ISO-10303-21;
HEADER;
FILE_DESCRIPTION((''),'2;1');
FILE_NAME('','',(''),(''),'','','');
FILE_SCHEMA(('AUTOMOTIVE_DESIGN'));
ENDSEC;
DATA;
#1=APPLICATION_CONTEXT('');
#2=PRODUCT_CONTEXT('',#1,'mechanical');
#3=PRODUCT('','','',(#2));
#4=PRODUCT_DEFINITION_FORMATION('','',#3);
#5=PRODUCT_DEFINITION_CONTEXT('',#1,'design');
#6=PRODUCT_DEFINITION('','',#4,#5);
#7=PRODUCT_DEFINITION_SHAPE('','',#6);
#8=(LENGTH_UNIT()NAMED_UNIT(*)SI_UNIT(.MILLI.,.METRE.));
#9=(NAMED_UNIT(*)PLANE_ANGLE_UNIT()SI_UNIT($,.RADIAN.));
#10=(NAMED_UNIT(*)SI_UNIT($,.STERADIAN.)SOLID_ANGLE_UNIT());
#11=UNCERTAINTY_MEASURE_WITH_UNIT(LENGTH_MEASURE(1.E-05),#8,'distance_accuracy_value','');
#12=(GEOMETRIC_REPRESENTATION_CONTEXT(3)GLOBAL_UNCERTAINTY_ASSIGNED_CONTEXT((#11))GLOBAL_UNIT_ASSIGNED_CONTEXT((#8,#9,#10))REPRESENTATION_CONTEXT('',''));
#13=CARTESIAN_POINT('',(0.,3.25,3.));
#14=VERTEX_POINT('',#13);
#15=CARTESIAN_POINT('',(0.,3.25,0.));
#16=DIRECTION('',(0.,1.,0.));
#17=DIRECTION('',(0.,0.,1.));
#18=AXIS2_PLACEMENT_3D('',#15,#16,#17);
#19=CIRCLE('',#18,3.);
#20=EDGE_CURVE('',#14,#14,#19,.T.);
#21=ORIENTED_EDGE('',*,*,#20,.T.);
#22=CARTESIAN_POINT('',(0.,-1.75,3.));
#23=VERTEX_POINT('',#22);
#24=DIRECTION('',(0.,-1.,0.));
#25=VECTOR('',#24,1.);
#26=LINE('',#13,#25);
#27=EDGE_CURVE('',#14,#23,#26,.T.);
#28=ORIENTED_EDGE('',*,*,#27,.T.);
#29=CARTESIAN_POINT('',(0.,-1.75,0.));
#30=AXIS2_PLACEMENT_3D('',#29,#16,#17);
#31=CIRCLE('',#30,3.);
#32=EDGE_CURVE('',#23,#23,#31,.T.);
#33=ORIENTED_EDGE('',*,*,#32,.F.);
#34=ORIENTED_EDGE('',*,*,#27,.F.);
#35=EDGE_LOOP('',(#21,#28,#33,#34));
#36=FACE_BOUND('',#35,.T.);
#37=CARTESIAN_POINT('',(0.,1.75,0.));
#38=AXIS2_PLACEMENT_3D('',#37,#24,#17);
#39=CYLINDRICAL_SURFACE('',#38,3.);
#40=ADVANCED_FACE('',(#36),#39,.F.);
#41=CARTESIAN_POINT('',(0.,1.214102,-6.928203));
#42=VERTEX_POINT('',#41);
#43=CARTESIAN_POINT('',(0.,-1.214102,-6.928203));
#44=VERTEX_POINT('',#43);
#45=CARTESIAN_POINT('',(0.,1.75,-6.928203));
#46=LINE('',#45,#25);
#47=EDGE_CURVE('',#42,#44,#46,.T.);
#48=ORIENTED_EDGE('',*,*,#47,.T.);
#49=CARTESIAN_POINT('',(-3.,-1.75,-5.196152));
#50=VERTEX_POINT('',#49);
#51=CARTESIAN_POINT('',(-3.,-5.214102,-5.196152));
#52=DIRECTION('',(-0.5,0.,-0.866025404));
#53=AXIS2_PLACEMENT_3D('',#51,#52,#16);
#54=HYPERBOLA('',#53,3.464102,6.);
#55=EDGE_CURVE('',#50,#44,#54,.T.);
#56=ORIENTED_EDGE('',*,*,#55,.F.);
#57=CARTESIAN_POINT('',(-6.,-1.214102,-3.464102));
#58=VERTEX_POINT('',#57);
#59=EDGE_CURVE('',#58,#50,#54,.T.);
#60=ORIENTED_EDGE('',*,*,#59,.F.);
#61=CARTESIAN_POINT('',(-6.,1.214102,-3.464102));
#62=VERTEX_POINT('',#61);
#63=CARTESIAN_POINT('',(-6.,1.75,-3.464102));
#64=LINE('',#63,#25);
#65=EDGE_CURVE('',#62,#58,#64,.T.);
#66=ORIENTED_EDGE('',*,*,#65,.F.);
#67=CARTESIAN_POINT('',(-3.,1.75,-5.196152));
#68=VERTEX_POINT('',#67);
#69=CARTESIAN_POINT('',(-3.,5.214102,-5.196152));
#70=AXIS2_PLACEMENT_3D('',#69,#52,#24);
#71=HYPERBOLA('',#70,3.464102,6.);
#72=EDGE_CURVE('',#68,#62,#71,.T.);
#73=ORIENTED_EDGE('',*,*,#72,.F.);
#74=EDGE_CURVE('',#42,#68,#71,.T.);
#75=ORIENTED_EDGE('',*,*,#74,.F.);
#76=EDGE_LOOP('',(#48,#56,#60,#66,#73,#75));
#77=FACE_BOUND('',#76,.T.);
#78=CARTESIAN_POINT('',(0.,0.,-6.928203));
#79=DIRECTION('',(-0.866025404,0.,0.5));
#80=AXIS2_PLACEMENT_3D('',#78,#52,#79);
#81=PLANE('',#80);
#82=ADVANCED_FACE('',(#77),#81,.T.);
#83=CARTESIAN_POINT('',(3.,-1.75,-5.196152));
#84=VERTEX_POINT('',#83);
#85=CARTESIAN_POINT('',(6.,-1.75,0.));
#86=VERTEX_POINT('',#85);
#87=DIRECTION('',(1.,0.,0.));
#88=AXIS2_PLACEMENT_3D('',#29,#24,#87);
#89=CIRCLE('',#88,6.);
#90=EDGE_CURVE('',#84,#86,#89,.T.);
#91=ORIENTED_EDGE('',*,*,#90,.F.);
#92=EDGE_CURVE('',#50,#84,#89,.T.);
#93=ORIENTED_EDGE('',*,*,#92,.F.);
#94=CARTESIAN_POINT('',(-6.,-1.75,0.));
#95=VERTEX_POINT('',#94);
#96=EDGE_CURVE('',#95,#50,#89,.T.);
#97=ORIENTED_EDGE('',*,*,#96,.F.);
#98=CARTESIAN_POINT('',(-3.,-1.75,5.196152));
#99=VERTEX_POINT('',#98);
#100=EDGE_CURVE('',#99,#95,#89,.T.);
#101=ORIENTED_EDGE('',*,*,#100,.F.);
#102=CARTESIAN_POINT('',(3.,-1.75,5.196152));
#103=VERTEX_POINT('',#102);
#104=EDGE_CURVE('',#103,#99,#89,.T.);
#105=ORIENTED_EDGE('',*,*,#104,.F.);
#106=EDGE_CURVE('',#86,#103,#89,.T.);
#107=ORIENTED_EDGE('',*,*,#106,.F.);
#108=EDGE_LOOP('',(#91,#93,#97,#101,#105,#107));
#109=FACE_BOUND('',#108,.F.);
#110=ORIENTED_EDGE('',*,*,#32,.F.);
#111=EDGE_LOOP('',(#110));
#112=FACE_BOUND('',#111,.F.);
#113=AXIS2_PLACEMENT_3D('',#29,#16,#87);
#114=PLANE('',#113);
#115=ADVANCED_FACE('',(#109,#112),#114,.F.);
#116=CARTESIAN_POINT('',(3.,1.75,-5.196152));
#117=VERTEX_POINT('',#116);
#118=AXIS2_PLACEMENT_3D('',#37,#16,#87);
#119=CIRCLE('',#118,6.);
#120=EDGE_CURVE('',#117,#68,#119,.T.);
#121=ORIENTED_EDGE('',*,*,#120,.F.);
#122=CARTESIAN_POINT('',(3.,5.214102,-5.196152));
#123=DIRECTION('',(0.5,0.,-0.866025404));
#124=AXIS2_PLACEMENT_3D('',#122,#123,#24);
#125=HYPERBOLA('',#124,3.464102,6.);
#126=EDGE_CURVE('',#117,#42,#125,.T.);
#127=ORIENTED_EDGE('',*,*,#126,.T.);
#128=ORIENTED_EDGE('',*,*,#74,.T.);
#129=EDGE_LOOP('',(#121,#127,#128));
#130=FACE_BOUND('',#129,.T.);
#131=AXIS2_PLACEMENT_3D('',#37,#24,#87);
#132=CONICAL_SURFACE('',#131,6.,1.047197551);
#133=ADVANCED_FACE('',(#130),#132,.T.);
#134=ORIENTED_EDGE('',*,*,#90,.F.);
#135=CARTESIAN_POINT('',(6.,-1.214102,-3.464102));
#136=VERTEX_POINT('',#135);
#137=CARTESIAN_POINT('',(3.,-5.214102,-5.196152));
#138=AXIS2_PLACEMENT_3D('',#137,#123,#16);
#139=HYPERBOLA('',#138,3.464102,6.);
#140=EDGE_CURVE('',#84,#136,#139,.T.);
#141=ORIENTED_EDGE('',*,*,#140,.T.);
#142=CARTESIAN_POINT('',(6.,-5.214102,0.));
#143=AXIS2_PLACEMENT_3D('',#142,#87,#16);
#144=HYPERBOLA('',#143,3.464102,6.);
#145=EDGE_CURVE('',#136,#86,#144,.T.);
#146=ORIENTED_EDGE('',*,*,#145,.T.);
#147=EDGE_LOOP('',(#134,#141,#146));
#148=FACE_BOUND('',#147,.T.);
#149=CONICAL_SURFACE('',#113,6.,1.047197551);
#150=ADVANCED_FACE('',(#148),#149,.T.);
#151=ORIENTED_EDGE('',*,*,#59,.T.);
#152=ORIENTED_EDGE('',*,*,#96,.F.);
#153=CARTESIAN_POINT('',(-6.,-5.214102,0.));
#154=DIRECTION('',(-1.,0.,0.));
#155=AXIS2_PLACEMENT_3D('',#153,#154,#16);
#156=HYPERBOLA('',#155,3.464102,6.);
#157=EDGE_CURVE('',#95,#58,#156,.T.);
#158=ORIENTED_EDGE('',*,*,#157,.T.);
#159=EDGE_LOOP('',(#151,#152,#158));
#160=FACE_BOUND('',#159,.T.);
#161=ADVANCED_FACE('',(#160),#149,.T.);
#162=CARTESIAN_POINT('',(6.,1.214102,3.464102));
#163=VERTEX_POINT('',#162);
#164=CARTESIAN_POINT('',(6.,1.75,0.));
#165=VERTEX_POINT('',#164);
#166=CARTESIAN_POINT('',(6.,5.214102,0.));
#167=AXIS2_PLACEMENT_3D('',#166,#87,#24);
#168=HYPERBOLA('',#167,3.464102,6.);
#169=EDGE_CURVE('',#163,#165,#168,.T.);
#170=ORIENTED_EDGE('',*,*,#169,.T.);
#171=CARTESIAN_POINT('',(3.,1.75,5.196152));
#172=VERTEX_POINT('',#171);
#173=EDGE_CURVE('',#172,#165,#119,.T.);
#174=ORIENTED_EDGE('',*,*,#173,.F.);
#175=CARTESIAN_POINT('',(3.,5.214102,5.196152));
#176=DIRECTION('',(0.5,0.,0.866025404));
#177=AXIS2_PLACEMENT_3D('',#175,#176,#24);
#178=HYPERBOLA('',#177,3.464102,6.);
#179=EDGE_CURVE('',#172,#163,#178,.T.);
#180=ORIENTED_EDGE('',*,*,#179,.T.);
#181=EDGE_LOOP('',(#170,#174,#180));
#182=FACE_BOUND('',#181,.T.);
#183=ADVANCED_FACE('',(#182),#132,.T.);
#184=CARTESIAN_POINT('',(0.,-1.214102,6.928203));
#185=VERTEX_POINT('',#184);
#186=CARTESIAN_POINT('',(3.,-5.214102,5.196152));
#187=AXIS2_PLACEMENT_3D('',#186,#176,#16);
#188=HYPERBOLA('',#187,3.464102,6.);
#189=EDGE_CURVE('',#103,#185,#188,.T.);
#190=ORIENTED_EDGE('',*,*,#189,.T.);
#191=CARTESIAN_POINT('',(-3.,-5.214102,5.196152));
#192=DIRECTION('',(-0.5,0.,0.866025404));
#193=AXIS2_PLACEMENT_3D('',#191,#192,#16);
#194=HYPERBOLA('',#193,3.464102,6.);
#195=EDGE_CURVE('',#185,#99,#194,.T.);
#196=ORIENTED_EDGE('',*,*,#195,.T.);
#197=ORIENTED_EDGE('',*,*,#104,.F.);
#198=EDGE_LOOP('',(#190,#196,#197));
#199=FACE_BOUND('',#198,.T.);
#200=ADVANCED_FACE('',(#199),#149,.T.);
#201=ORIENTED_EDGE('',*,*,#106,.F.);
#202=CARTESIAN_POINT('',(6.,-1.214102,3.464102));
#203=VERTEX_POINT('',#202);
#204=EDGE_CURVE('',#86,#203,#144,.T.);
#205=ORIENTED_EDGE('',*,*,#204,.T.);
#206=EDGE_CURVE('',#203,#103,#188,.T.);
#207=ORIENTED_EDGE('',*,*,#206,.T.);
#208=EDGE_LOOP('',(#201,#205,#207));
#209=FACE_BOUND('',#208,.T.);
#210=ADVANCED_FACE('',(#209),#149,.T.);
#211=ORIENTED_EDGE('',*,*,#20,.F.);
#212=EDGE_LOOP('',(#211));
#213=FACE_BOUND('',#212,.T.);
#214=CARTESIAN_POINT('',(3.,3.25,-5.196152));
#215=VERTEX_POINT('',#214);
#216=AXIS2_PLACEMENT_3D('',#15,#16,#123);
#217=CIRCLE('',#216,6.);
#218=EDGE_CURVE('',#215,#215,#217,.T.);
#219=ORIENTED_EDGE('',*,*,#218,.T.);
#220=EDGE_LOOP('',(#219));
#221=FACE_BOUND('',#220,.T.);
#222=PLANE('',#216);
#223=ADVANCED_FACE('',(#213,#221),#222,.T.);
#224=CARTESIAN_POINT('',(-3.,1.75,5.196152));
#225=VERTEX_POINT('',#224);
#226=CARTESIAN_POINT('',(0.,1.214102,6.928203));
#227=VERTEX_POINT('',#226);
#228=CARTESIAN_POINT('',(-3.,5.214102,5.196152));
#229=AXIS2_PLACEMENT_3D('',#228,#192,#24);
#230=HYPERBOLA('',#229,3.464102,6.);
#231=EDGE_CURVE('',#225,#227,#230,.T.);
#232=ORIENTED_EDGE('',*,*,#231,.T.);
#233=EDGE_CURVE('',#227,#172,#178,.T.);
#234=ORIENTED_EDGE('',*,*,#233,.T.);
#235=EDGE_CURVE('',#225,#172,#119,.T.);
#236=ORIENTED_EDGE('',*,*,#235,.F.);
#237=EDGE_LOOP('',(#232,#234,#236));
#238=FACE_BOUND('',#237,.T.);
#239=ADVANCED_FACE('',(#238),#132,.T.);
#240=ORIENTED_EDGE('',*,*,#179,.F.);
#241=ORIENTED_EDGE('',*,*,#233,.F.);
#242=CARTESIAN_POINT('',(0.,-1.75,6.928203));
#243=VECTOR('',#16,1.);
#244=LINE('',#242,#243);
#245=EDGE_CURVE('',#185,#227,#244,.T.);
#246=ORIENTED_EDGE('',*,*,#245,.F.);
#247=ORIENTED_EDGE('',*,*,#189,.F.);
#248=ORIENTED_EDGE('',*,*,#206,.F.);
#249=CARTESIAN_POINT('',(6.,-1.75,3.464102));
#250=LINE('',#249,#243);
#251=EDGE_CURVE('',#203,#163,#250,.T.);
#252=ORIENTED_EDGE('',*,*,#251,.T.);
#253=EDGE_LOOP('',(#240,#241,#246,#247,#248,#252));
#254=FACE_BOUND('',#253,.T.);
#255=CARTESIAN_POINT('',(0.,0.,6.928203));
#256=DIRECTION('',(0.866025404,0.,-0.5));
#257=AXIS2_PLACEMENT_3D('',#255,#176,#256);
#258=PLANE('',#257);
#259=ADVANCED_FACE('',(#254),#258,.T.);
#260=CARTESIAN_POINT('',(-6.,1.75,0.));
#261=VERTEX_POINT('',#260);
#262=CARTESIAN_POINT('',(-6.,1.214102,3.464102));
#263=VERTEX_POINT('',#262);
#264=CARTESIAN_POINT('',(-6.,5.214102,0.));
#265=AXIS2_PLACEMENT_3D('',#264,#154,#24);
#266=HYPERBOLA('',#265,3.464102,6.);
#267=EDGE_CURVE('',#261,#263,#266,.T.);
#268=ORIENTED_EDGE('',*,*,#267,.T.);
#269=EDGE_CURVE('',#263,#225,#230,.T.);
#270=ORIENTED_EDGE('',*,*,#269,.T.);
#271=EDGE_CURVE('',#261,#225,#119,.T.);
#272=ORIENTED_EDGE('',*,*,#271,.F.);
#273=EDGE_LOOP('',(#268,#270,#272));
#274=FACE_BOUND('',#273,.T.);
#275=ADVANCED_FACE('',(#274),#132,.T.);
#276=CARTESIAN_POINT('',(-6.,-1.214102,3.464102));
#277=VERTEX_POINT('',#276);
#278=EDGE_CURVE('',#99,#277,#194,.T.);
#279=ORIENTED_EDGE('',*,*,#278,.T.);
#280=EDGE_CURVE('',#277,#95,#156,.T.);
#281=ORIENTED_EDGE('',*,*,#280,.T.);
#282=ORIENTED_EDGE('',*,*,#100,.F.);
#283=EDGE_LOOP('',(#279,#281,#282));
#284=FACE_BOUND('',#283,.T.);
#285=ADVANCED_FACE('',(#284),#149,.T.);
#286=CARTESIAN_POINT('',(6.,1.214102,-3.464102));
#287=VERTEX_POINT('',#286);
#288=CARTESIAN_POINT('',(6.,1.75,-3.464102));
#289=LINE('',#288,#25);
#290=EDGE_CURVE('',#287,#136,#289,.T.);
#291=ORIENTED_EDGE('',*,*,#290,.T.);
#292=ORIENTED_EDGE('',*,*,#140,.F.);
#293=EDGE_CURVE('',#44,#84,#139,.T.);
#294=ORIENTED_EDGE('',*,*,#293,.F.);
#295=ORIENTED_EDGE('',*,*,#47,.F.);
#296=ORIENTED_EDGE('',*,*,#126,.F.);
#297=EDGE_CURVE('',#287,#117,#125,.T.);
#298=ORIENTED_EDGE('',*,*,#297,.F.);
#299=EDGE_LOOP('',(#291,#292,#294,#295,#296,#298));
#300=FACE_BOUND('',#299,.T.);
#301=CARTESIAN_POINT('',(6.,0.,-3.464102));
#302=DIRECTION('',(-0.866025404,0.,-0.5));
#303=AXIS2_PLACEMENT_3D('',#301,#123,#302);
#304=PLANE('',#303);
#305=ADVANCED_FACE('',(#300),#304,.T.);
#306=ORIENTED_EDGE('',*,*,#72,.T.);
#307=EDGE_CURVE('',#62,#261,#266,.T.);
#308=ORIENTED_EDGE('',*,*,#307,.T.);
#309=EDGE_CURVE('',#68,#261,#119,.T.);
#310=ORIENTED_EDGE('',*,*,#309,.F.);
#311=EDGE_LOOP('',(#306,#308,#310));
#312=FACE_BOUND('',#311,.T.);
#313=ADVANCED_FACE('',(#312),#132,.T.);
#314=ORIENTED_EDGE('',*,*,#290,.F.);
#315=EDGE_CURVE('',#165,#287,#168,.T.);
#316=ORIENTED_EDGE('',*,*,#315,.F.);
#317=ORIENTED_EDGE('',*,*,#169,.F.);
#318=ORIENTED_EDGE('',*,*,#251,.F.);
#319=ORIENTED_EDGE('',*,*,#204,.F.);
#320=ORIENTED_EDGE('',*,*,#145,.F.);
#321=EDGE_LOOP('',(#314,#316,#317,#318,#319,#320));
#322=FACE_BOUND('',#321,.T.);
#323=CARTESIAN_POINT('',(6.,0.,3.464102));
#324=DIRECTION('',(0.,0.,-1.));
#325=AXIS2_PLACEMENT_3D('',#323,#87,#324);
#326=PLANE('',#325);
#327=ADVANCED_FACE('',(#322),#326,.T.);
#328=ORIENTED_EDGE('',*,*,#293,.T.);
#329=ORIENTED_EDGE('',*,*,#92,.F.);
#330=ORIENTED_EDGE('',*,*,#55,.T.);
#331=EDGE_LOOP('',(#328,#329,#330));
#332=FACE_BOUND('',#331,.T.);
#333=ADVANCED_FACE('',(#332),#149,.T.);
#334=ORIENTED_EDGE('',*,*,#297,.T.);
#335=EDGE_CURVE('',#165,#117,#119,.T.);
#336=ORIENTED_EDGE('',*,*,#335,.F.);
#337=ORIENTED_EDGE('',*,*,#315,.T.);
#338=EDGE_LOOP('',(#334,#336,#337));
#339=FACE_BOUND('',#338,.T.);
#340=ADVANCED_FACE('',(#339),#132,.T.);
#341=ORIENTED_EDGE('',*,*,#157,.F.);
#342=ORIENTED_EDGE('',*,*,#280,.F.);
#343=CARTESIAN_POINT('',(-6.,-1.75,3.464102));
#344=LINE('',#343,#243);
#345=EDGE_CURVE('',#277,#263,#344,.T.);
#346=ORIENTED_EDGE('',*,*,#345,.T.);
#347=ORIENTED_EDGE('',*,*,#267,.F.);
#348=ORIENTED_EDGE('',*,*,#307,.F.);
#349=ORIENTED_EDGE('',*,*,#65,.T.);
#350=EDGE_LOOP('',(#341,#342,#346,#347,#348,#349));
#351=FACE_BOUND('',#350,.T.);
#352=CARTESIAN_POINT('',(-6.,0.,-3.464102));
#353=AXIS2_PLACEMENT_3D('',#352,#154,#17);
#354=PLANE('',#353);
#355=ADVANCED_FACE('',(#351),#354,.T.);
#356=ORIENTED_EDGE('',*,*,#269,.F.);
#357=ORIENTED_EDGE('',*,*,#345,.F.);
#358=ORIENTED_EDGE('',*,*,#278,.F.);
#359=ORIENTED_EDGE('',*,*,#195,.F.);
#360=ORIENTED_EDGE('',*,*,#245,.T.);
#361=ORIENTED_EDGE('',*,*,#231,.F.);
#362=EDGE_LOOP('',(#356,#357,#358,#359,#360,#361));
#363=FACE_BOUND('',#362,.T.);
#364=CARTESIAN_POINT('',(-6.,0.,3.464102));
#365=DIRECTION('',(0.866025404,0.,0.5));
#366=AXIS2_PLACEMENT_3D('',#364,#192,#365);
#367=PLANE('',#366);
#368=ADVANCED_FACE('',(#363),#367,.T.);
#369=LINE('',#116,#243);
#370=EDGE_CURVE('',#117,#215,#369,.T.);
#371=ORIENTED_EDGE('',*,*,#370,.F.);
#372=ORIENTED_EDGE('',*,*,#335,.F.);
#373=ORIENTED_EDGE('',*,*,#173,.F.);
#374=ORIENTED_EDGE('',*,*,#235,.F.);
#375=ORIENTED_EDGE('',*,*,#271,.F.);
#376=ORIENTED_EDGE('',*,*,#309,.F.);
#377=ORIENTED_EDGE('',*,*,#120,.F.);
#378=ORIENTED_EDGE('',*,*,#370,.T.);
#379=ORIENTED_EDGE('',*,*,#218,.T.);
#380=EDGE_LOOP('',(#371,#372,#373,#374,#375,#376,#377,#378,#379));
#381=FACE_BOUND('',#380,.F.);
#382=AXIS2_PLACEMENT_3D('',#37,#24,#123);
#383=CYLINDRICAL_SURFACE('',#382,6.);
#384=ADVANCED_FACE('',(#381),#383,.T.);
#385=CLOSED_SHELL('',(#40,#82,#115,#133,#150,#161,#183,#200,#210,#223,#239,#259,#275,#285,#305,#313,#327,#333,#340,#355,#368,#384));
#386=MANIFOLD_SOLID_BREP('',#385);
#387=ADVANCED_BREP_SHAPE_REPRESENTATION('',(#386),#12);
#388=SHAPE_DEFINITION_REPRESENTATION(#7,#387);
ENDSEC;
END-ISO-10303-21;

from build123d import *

# Parameters (mm, degrees)
BODYS_R             = 3
BODY_DEPTH          = 1.75
CHAMFERS_OUTSIDE_W  = 55.182
CHAMFERS_OUTSIDE_H  = 57.038
CHAMFERS_OUTSIDE_R  = 6
CHAMFER_2_DEPTH     = 10.810708435
CHAMFER_2_DRAFT     = -60
CM_COPY_1_SKETCH_W  = 55.182
CM_COPY_1_SKETCH_H  = 57.038
CM_COPY_1_SKETCH_R  = 6
CM_COPY_1_DEPTH     = 10.810708435
CM_COPY_1_DRAFT     = -60
FASTENINGBASES_R    = 6
FASTENINGBASES_R_2  = 3
FASTENINGBASE_DEPTH = 1.5


with BuildPart() as part:
    # BodyS → Body (new, symmetric)
    with BuildSketch(Plane(origin=(0, 0, 0), x_dir=(1, 0, 0), z_dir=(0, 1, 0))):
        Polygon((-6, 3.464101615), (-6, -3.464101615), (0, -6.92820323), (6, -3.464101615), (6, 3.464101615), (0, 6.92820323), align=None)
        with Locations(Location((0, 0, 0), (0, 0, 270))):
            Circle(BODYS_R, mode=Mode.SUBTRACT)
    extrude(amount=BODY_DEPTH, both=True)


with BuildPart() as chamfer_2_tool:
    # ChamferS outside → Chamfer 2 (with draft: the straight prism first)
    with BuildSketch(Plane(origin=(0, 1.75, 0), x_dir=(1, 0, 0), z_dir=(0, 1, 0))):
        Rectangle(CHAMFERS_OUTSIDE_W, CHAMFERS_OUTSIDE_H)
        Circle(CHAMFERS_OUTSIDE_R, mode=Mode.SUBTRACT)
    extrude(amount=-CHAMFER_2_DEPTH)
    # Chamfer 2: the draft: its side faces are tilted about the plane it starts from
    chamfer_2_sides = [chamfer_2_tool.faces().sort_by_distance(p)[0] for p in [
        (0, -3.655354218, 28.519),
        (27.591, -3.655354218, 0),
        (0, -3.655354218, -28.519),
        (-27.591, -3.655354218, 0),
        (-6, -3.655354218, 0),
    ]]
    draft(chamfer_2_sides, Plane(origin=(0, 1.75, 0), x_dir=(1, 0, 0), z_dir=(0, 1, 0)), CHAMFER_2_DRAFT)


with BuildPart() as part_1:
    add(part.part)

    # Chamfer 2: cut by chamfer_2_tool
    add(chamfer_2_tool.part, mode=Mode.SUBTRACT)


with BuildPart() as cm_copy_1_tool:
    # CM copy 1 sketch → CM copy 1 (with draft: the straight prism first)
    with BuildSketch(Plane.XZ.offset(1.75)):
        Rectangle(CM_COPY_1_SKETCH_W, CM_COPY_1_SKETCH_H)
        Circle(CM_COPY_1_SKETCH_R, mode=Mode.SUBTRACT)
    extrude(amount=-CM_COPY_1_DEPTH)
    # CM copy 1: the draft: its side faces are tilted about the plane it starts from
    cm_copy_1_sides = [cm_copy_1_tool.faces().sort_by_distance(p)[0] for p in [
        (0, 3.655354218, 28.519),
        (27.591, 3.655354218, 0),
        (0, 3.655354218, -28.519),
        (-27.591, 3.655354218, 0),
        (-6, 3.655354218, 0),
    ]]
    draft(cm_copy_1_sides, Plane.XZ.offset(1.75), CM_COPY_1_DRAFT)


with BuildPart() as part_2:
    add(part_1.part)

    # CM copy 1: cut by cm_copy_1_tool
    add(cm_copy_1_tool.part, mode=Mode.SUBTRACT)

    # FasteningBaseS → FasteningBase (add)
    with BuildSketch(Plane(origin=(0, 1.75, 0), x_dir=(1, 0, 0), z_dir=(0, 1, 0))):
        with Locations(Location((0, 0, 0), (0, 0, 60))):
            Circle(FASTENINGBASES_R)
        with Locations(Location((0, 0, 0), (0, 0, 270))):
            Circle(FASTENINGBASES_R_2, mode=Mode.SUBTRACT)
    extrude(amount=FASTENINGBASE_DEPTH)


solid = part_2.part
